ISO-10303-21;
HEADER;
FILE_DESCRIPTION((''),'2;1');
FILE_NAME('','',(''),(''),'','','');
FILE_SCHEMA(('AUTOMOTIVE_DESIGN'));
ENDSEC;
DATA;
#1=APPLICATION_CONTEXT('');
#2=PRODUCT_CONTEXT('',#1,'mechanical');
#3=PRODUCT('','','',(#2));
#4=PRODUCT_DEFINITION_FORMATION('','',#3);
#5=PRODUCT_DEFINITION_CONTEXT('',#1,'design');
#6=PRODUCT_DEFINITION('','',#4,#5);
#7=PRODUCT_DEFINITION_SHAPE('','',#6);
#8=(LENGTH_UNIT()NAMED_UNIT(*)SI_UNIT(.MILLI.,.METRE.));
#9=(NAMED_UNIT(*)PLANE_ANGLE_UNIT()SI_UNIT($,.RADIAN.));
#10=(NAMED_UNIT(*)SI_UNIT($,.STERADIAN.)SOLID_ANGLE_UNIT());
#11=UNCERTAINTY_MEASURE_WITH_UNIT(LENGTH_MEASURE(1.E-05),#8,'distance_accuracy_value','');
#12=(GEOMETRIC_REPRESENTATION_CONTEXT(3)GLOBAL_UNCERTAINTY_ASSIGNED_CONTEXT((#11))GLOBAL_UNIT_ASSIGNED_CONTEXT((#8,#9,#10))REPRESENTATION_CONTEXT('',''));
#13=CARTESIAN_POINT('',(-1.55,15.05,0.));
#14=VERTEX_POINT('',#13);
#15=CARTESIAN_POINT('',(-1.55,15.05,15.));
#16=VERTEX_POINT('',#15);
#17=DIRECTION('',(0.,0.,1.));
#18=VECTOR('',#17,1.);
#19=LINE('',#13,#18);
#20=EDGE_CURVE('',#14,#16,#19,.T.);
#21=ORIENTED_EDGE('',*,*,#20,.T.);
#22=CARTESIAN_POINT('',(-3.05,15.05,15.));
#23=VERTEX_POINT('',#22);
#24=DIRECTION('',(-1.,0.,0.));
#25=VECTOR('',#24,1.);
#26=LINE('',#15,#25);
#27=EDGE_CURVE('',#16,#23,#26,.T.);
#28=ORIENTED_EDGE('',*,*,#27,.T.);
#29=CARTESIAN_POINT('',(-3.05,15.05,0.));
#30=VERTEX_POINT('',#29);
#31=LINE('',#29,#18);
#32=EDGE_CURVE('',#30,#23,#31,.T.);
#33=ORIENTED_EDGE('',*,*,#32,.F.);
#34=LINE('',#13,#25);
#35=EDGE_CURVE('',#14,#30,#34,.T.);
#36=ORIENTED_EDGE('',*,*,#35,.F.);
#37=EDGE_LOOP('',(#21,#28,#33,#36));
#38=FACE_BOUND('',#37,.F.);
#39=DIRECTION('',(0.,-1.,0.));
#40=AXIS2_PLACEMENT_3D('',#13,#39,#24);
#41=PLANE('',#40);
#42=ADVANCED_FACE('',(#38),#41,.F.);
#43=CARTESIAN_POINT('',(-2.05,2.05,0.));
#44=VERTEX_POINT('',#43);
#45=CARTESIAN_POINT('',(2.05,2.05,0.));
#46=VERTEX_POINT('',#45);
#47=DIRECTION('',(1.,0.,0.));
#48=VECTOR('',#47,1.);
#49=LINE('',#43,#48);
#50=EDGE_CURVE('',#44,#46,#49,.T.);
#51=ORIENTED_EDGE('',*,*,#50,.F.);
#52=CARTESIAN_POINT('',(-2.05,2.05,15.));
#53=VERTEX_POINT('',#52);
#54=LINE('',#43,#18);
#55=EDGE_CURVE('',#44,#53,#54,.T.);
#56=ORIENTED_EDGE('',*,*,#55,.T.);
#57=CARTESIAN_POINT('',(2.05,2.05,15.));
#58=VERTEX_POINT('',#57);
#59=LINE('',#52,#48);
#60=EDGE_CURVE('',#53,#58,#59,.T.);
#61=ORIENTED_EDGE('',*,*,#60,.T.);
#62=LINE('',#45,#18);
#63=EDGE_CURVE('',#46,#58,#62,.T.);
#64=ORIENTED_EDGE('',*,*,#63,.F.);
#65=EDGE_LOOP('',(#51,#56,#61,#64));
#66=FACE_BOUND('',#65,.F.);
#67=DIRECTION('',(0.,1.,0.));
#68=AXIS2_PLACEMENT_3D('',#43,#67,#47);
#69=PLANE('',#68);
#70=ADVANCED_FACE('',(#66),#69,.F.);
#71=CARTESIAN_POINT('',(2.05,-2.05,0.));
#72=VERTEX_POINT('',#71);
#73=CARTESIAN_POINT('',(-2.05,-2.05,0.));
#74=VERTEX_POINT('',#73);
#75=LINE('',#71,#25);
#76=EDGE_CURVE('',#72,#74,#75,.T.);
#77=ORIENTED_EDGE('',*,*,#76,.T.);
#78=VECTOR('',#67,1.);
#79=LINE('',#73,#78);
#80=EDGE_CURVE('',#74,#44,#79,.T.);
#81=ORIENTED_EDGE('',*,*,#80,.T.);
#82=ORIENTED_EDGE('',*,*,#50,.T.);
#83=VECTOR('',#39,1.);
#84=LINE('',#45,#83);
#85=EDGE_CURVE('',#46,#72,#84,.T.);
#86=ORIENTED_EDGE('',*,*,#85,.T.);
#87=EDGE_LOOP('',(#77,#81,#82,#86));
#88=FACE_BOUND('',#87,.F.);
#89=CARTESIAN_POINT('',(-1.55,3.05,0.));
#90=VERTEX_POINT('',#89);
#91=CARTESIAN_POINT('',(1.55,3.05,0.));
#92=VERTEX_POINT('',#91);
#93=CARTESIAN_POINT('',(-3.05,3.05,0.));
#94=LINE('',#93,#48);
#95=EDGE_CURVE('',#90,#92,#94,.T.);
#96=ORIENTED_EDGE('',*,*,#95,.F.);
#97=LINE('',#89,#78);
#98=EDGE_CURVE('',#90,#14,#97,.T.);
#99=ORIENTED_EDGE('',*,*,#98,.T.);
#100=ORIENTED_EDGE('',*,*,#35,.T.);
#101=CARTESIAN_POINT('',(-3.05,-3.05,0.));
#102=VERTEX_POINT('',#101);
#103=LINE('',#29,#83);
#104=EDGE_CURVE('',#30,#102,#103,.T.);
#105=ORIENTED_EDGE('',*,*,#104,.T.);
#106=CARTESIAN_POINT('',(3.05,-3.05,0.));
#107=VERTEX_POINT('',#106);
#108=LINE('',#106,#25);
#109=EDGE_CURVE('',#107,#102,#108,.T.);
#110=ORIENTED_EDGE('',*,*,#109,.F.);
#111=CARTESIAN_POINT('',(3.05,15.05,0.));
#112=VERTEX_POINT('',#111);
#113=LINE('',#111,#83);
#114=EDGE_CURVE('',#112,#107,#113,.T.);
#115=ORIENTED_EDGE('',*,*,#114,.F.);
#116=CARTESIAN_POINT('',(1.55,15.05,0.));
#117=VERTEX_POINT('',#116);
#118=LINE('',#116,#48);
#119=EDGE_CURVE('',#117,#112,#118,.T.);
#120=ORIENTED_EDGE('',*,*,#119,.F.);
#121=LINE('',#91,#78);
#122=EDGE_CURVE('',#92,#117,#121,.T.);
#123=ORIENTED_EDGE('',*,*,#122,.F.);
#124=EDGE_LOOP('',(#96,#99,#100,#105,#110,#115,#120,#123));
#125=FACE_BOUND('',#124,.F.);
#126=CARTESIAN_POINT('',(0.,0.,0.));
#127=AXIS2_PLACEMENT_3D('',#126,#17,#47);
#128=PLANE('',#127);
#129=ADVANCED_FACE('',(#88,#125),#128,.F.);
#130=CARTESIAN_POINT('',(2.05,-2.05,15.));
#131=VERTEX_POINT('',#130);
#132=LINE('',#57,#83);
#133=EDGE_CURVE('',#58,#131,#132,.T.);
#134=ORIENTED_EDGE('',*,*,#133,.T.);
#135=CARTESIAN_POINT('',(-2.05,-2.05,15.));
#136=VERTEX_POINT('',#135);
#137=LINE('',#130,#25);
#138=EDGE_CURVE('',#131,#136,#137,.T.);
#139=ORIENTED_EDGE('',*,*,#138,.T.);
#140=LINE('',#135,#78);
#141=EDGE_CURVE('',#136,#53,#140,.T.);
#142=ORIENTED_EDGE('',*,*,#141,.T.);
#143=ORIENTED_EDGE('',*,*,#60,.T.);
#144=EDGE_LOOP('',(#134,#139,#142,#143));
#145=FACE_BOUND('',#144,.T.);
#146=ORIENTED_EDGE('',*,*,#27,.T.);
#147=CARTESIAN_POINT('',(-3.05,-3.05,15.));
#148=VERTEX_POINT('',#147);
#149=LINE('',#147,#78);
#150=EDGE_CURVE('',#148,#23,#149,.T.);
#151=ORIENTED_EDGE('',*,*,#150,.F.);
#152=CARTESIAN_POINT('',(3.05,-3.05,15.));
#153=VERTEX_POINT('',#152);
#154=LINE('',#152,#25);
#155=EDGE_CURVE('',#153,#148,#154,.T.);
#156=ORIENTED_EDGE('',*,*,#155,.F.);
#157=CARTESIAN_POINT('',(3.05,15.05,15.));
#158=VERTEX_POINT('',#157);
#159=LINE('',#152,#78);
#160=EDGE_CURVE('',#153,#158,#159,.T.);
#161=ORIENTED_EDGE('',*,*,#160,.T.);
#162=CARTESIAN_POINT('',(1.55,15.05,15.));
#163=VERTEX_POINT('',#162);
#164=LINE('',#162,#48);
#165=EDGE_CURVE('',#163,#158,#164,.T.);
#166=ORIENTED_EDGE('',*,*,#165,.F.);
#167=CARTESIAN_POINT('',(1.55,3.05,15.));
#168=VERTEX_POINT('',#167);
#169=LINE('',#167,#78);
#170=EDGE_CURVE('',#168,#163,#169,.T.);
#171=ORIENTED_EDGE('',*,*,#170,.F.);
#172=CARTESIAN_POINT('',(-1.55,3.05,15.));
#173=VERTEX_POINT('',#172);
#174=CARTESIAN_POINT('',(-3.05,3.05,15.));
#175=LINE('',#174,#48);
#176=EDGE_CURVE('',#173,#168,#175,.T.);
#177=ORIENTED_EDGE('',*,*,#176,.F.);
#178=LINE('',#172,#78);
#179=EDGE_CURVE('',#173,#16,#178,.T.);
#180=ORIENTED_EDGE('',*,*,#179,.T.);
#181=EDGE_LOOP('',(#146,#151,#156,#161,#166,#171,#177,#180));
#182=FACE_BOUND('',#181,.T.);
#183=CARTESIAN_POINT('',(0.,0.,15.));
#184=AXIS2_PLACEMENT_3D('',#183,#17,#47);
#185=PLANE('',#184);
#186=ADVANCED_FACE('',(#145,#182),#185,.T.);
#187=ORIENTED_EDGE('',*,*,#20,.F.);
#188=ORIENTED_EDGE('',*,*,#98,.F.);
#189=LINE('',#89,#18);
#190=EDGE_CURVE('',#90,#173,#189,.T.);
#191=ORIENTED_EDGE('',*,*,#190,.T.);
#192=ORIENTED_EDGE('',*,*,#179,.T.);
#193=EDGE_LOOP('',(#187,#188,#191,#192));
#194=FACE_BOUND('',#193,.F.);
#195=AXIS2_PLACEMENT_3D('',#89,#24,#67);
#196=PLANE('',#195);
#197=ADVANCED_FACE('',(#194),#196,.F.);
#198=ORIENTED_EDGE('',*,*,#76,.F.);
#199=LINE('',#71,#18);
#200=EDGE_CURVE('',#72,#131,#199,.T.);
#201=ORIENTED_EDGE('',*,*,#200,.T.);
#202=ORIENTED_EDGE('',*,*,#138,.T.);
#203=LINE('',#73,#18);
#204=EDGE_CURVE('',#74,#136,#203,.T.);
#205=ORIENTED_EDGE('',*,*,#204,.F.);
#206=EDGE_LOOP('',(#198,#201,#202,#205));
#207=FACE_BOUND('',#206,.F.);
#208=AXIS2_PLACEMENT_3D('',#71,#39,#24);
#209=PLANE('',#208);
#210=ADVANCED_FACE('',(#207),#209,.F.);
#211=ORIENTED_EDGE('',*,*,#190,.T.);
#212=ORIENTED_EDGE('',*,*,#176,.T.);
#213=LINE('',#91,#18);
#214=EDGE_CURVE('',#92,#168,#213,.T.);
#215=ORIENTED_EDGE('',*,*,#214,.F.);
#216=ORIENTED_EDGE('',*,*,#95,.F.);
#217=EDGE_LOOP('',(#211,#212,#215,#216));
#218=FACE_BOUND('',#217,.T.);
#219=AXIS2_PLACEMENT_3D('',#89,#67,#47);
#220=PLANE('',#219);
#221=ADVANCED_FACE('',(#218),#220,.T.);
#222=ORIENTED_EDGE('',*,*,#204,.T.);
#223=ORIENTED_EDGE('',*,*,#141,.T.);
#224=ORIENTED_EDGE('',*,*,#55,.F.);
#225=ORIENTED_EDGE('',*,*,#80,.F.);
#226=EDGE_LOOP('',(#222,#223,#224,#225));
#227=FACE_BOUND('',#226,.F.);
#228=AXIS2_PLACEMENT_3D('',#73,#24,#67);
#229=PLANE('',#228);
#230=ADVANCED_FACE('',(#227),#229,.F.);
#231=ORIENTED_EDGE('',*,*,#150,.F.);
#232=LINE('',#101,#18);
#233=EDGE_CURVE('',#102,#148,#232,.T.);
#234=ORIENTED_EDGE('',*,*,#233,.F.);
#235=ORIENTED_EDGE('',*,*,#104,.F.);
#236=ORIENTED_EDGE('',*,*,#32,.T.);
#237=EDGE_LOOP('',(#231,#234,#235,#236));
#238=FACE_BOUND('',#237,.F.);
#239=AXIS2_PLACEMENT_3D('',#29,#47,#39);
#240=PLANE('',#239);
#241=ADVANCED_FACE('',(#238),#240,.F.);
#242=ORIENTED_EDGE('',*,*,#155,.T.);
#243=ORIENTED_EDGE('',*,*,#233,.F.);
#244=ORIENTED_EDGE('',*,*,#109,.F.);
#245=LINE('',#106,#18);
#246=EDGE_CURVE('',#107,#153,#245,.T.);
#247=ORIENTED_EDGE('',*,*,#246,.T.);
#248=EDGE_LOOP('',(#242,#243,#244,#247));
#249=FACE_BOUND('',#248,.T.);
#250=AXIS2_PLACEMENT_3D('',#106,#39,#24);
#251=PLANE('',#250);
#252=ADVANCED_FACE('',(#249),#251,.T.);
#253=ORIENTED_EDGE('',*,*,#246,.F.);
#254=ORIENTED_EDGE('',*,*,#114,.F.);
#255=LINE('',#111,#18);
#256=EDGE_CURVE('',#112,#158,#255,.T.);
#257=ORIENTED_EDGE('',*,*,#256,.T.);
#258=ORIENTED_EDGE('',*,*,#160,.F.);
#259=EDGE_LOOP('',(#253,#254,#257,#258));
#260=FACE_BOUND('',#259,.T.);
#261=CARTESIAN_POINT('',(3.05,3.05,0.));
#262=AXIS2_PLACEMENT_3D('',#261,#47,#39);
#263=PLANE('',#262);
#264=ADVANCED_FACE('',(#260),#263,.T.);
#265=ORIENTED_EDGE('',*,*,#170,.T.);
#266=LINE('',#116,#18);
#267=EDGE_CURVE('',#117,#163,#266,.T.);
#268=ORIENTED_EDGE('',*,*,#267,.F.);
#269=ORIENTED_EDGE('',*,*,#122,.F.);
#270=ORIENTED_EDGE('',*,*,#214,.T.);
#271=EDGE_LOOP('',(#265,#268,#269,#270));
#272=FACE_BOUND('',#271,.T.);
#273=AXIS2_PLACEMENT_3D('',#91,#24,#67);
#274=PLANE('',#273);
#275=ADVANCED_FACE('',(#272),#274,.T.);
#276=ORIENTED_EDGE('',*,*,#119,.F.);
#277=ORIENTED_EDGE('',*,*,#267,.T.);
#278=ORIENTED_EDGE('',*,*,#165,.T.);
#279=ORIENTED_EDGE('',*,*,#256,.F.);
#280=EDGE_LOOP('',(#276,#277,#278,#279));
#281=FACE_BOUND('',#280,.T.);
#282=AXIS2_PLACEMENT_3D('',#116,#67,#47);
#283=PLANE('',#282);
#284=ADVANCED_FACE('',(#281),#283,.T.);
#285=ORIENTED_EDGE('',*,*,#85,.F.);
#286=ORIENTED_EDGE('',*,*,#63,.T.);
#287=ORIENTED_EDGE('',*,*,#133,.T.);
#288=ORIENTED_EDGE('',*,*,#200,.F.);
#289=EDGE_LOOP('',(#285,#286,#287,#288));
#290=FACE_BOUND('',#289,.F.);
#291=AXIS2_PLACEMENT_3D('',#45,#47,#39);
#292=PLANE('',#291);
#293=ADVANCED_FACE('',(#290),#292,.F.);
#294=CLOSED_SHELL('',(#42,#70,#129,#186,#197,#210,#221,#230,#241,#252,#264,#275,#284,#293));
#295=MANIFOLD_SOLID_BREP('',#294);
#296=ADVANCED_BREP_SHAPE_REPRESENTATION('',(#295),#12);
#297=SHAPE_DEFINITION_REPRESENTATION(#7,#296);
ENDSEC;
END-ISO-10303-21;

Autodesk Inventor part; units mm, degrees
ref_plane "YZ Plane" through (0, 0, 0) normal (1, 0, 0) x (0, 1, 0)
ref_plane "XZ Plane" through (0, 0, 0) normal (0, 1, 0) x (-1, 0, 0)
ref_plane "XY Plane" through (0, 0, 0) normal (0, 0, 1) x (1, 0, 0)
sketch "Sketch1" plane through (0, 0, 0) normal (0, 0, 1) x (1, 0, 0)
  line L0 (-3.05, 3.05) -> (3.05, 3.05)
  line L1 (3.05, 3.05) -> (3.05, -3.05)
  line L2 (3.05, -3.05) -> (-3.05, -3.05)
  line L3 (-3.05, -3.05) -> (-3.05, 3.05)
  line L4 (-3.05, 3.05) -> (3.05, -3.05) construction
  line L5 (3.05, 3.05) -> (-3.05, -3.05) construction
  line L6 (-2.05, 2.05) -> (2.05, 2.05)
  line L7 (2.05, 2.05) -> (2.05, -2.05)
  line L8 (2.05, -2.05) -> (-2.05, -2.05)
  line L9 (-2.05, -2.05) -> (-2.05, 2.05)
  line L10 (-2.05, 2.05) -> (2.05, -2.05) construction
  line L11 (2.05, 2.05) -> (-2.05, -2.05) construction
  line L12 (-3.05, 3.05) -> (-1.55, 3.05)
  line L13 (-1.55, 3.05) -> (-1.55, 15.05)
  line L14 (-1.55, 15.05) -> (-3.05, 15.05)
  line L15 (-3.05, 15.05) -> (-3.05, 3.05)
  line L16 (3.05, 3.05) -> (1.55, 3.05)
  line L17 (1.55, 3.05) -> (1.55, 15.05)
  line L18 (1.55, 15.05) -> (3.05, 15.05)
  line L19 (3.05, 15.05) -> (3.05, 3.05)
  point P0 (0, 0)
  point P1 (1.55, 3.05)
  point P2 (-1.55, 3.05)
  dimension "d0" = 6.1
  dimension "d1" = 6.1
  dimension "d2" = 4.1
  dimension "d3" = 4.1
  dimension "d4" = 12
  dimension "d5" = 12
  dimension "d6" = 1.5
  dimension "d7" = 1.5
extrude "Extrusion1" add sketch "Sketch1" along normal blind 15
properties part number "fuselage_tail_interface_front"
